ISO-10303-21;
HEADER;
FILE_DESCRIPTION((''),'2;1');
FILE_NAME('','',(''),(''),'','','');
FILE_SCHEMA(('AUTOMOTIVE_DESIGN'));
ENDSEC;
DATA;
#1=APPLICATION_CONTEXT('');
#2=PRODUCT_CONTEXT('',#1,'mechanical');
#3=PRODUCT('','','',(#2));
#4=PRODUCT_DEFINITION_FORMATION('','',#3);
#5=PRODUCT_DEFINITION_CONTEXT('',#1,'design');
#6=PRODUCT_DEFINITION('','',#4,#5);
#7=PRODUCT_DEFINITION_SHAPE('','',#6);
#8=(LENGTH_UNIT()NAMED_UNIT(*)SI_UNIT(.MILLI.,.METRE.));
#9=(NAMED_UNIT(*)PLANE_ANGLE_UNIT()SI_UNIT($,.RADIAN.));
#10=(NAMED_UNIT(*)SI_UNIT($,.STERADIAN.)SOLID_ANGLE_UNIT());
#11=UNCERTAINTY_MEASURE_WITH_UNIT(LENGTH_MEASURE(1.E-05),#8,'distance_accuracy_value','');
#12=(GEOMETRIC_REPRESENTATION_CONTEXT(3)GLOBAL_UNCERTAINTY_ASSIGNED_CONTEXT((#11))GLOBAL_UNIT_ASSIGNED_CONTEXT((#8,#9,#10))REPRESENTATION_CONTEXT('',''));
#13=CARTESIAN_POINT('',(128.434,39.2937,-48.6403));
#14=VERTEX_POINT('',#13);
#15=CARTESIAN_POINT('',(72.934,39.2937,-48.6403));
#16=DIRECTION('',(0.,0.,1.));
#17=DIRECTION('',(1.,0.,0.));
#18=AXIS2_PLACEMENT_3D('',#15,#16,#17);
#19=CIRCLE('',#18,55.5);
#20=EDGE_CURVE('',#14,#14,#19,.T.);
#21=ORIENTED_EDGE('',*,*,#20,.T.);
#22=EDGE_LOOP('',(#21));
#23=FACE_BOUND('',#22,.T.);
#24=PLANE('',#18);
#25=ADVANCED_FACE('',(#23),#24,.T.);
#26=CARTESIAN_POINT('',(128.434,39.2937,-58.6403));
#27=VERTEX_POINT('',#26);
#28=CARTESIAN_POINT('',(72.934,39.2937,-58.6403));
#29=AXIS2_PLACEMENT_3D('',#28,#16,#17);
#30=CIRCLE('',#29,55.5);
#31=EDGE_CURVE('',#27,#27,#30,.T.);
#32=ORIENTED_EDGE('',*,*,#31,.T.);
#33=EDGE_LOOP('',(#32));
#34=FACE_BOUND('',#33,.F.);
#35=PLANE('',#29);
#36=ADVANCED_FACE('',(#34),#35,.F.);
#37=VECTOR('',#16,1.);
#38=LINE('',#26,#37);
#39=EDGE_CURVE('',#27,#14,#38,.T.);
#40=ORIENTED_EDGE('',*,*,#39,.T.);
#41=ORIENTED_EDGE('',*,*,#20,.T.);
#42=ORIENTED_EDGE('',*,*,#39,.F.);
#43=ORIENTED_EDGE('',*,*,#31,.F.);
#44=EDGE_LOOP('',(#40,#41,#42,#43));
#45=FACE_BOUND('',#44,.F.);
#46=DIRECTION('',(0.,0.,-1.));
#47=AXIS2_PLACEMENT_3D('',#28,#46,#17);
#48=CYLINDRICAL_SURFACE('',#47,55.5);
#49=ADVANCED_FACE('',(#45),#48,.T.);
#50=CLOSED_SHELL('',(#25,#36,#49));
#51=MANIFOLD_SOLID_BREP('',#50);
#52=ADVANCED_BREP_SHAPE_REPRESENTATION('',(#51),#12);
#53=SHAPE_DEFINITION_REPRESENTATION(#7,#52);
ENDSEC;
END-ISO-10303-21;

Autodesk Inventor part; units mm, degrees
ref_plane "YZ Plane" through (0, 0, 0) normal (1, 0, 0) x (0, 1, 0)
ref_plane "XZ Plane" through (0, 0, 0) normal (0, 1, 0) x (-1, 0, 0)
ref_plane "XY Plane" through (0, 0, 0) normal (0, 0, 1) x (1, 0, 0)
ref_plane "Work Plane1" through (72.934, 39.2937, -58.6403) normal (0, 0, 1) x (1, 0, 0)
sketch "Sketch1" plane through (72.934, 39.2937, -58.6403) normal (0, 0, 1) x (1, 0, 0)
  circle A0 centre (0, 0) radius 55.5
  point P0 (-72.934, -39.2937)
  dimension "d0" = 111
extrude "Extrusion1" add sketch "Sketch1" along normal blind 10
properties part number "TurretMock-4pos"
